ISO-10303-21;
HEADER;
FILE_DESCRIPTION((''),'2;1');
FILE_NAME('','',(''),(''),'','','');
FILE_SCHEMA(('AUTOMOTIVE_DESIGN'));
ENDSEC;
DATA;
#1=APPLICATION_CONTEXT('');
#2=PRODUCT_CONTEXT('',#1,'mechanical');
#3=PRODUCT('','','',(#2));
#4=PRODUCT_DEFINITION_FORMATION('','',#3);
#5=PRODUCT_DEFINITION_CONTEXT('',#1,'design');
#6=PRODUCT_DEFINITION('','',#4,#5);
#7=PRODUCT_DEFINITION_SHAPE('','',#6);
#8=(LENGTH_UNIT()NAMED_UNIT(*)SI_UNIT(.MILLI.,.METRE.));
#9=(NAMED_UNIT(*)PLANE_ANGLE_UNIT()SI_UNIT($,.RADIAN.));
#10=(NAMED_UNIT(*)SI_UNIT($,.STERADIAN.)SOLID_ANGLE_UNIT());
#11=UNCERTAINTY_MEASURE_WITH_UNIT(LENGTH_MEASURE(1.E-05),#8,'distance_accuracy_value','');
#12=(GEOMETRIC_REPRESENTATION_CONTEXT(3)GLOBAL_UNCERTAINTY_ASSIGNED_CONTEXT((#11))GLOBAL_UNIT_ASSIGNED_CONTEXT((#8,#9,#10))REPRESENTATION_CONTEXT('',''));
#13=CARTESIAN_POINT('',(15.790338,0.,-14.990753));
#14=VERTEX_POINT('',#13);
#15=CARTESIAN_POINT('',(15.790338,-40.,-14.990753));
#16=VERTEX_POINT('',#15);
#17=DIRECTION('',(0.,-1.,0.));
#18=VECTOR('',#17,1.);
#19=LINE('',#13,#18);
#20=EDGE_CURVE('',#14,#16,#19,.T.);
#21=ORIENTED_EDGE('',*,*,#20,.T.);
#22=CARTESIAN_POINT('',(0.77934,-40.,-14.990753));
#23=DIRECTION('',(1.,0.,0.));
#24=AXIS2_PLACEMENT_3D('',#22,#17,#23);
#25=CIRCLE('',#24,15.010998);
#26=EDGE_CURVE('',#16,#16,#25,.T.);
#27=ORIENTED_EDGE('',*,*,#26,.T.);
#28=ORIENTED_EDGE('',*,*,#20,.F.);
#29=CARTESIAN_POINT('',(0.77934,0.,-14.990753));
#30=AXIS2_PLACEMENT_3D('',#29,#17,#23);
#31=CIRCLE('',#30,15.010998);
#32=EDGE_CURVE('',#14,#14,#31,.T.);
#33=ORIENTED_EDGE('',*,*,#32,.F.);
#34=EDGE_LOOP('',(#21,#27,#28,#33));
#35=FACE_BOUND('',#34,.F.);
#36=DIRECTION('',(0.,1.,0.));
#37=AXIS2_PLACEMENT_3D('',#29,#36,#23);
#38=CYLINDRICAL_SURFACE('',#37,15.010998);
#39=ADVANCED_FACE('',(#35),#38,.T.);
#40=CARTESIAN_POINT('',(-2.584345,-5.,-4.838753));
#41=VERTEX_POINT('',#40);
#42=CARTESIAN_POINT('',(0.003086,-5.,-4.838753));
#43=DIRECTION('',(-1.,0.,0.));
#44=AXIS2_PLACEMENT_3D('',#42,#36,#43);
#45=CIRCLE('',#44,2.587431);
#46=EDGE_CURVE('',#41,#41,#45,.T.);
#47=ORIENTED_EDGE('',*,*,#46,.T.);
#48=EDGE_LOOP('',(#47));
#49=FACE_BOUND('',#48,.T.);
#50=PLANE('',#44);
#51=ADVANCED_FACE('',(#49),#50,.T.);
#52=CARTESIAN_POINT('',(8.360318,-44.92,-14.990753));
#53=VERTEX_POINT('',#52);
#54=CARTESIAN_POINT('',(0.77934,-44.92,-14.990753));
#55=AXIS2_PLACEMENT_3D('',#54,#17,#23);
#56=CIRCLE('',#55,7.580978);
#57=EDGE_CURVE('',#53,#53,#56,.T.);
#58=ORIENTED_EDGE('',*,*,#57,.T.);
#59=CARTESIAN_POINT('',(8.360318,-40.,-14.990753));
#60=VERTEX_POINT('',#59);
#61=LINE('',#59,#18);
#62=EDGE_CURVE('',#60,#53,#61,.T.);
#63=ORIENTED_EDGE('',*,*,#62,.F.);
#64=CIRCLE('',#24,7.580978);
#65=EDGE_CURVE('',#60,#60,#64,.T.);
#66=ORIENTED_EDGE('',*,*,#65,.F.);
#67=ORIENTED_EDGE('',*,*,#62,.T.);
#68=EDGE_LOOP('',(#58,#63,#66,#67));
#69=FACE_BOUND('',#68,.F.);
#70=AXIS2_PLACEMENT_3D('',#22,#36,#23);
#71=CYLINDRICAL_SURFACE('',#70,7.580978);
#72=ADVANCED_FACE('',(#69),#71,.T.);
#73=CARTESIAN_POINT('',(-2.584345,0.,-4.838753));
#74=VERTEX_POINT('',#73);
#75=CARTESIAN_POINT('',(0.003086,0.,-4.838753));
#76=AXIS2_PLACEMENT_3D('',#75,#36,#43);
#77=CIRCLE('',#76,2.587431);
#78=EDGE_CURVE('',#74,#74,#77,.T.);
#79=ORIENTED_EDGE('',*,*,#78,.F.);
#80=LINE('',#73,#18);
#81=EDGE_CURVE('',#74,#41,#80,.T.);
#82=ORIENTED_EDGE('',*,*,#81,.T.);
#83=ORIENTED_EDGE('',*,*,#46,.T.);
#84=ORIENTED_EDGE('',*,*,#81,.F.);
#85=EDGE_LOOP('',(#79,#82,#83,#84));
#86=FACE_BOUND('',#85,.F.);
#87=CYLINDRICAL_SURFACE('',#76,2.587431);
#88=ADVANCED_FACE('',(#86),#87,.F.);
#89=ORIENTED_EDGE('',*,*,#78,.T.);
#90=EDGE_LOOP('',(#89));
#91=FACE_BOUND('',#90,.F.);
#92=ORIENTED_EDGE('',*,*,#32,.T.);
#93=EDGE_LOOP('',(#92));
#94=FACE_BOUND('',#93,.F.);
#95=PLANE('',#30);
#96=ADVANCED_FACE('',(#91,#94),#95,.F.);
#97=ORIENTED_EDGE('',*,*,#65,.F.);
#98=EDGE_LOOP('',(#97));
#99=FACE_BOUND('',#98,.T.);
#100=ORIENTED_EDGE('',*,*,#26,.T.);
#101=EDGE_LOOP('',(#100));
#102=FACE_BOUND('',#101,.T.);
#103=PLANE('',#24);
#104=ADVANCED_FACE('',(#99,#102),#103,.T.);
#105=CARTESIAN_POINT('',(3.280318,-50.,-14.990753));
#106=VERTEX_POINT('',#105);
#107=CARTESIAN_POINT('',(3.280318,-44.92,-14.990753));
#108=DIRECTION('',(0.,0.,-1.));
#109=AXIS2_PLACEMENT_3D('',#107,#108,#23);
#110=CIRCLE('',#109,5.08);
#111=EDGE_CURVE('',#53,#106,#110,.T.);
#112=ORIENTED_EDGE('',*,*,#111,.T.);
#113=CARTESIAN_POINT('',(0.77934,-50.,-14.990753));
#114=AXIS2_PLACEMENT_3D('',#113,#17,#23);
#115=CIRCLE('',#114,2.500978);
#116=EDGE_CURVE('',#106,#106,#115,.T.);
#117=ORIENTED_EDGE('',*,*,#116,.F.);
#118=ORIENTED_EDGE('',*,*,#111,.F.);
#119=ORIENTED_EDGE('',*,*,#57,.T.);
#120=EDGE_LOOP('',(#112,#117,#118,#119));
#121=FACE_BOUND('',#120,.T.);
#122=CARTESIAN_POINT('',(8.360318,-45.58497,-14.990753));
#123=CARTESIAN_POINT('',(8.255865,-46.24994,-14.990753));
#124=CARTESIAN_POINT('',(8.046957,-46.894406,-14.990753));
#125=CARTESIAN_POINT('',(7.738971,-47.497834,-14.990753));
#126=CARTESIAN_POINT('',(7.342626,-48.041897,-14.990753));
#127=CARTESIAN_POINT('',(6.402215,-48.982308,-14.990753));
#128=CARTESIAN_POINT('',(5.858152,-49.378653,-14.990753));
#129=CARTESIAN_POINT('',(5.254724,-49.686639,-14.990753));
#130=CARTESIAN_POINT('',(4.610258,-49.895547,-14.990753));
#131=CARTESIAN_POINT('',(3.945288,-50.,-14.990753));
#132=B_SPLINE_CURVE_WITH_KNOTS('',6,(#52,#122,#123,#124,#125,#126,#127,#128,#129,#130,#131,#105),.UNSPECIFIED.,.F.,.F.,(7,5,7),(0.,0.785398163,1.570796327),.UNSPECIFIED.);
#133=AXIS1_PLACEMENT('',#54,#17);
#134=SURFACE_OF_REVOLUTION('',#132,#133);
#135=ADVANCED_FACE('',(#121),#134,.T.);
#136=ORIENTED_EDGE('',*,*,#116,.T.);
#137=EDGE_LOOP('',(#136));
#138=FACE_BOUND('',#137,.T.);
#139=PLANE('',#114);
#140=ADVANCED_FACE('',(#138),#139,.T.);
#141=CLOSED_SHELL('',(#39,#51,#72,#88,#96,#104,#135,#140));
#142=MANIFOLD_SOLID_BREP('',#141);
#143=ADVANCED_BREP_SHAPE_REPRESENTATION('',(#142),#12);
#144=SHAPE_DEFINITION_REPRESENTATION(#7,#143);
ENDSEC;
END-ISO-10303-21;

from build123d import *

# Parameters (mm, degrees)
F0_R     = 15.010998
F1_DEPTH = 40
F2_R     = 2.587431
F3_DEPTH = 5
F4_R     = 7.580978
F5_DEPTH = 10
F6_R     = 5.08


with BuildPart() as f1:
    # F0 (on Front) → F1 (new body)
    with BuildSketch(Plane.XZ):
        with Locations((0.77934, -14.990753)):
            Circle(F0_R)
    extrude(amount=F1_DEPTH)

    # F2 (on face) → F3 (cut)
    with BuildSketch(Plane(origin=(0, 0, 0), x_dir=(-1, 0, 0), z_dir=(0, 1, 0))):
        with Locations((-0.003086, -4.838753)):
            Circle(F2_R)
    extrude(amount=-F3_DEPTH, mode=Mode.SUBTRACT)

    # F4 (on face) → F5 (join)
    with BuildSketch(Plane.XZ.offset(40)):
        with Locations((0.77934, -14.990753)):
            Circle(F4_R)
    extrude(amount=F5_DEPTH)

    # F6
    f6_edges = [f1.edges().sort_by_distance(p)[0] for p in [
        (-6.801638, -50, -14.990753),
    ]]
    fillet(f6_edges, radius=F6_R)


solid = f1.part
